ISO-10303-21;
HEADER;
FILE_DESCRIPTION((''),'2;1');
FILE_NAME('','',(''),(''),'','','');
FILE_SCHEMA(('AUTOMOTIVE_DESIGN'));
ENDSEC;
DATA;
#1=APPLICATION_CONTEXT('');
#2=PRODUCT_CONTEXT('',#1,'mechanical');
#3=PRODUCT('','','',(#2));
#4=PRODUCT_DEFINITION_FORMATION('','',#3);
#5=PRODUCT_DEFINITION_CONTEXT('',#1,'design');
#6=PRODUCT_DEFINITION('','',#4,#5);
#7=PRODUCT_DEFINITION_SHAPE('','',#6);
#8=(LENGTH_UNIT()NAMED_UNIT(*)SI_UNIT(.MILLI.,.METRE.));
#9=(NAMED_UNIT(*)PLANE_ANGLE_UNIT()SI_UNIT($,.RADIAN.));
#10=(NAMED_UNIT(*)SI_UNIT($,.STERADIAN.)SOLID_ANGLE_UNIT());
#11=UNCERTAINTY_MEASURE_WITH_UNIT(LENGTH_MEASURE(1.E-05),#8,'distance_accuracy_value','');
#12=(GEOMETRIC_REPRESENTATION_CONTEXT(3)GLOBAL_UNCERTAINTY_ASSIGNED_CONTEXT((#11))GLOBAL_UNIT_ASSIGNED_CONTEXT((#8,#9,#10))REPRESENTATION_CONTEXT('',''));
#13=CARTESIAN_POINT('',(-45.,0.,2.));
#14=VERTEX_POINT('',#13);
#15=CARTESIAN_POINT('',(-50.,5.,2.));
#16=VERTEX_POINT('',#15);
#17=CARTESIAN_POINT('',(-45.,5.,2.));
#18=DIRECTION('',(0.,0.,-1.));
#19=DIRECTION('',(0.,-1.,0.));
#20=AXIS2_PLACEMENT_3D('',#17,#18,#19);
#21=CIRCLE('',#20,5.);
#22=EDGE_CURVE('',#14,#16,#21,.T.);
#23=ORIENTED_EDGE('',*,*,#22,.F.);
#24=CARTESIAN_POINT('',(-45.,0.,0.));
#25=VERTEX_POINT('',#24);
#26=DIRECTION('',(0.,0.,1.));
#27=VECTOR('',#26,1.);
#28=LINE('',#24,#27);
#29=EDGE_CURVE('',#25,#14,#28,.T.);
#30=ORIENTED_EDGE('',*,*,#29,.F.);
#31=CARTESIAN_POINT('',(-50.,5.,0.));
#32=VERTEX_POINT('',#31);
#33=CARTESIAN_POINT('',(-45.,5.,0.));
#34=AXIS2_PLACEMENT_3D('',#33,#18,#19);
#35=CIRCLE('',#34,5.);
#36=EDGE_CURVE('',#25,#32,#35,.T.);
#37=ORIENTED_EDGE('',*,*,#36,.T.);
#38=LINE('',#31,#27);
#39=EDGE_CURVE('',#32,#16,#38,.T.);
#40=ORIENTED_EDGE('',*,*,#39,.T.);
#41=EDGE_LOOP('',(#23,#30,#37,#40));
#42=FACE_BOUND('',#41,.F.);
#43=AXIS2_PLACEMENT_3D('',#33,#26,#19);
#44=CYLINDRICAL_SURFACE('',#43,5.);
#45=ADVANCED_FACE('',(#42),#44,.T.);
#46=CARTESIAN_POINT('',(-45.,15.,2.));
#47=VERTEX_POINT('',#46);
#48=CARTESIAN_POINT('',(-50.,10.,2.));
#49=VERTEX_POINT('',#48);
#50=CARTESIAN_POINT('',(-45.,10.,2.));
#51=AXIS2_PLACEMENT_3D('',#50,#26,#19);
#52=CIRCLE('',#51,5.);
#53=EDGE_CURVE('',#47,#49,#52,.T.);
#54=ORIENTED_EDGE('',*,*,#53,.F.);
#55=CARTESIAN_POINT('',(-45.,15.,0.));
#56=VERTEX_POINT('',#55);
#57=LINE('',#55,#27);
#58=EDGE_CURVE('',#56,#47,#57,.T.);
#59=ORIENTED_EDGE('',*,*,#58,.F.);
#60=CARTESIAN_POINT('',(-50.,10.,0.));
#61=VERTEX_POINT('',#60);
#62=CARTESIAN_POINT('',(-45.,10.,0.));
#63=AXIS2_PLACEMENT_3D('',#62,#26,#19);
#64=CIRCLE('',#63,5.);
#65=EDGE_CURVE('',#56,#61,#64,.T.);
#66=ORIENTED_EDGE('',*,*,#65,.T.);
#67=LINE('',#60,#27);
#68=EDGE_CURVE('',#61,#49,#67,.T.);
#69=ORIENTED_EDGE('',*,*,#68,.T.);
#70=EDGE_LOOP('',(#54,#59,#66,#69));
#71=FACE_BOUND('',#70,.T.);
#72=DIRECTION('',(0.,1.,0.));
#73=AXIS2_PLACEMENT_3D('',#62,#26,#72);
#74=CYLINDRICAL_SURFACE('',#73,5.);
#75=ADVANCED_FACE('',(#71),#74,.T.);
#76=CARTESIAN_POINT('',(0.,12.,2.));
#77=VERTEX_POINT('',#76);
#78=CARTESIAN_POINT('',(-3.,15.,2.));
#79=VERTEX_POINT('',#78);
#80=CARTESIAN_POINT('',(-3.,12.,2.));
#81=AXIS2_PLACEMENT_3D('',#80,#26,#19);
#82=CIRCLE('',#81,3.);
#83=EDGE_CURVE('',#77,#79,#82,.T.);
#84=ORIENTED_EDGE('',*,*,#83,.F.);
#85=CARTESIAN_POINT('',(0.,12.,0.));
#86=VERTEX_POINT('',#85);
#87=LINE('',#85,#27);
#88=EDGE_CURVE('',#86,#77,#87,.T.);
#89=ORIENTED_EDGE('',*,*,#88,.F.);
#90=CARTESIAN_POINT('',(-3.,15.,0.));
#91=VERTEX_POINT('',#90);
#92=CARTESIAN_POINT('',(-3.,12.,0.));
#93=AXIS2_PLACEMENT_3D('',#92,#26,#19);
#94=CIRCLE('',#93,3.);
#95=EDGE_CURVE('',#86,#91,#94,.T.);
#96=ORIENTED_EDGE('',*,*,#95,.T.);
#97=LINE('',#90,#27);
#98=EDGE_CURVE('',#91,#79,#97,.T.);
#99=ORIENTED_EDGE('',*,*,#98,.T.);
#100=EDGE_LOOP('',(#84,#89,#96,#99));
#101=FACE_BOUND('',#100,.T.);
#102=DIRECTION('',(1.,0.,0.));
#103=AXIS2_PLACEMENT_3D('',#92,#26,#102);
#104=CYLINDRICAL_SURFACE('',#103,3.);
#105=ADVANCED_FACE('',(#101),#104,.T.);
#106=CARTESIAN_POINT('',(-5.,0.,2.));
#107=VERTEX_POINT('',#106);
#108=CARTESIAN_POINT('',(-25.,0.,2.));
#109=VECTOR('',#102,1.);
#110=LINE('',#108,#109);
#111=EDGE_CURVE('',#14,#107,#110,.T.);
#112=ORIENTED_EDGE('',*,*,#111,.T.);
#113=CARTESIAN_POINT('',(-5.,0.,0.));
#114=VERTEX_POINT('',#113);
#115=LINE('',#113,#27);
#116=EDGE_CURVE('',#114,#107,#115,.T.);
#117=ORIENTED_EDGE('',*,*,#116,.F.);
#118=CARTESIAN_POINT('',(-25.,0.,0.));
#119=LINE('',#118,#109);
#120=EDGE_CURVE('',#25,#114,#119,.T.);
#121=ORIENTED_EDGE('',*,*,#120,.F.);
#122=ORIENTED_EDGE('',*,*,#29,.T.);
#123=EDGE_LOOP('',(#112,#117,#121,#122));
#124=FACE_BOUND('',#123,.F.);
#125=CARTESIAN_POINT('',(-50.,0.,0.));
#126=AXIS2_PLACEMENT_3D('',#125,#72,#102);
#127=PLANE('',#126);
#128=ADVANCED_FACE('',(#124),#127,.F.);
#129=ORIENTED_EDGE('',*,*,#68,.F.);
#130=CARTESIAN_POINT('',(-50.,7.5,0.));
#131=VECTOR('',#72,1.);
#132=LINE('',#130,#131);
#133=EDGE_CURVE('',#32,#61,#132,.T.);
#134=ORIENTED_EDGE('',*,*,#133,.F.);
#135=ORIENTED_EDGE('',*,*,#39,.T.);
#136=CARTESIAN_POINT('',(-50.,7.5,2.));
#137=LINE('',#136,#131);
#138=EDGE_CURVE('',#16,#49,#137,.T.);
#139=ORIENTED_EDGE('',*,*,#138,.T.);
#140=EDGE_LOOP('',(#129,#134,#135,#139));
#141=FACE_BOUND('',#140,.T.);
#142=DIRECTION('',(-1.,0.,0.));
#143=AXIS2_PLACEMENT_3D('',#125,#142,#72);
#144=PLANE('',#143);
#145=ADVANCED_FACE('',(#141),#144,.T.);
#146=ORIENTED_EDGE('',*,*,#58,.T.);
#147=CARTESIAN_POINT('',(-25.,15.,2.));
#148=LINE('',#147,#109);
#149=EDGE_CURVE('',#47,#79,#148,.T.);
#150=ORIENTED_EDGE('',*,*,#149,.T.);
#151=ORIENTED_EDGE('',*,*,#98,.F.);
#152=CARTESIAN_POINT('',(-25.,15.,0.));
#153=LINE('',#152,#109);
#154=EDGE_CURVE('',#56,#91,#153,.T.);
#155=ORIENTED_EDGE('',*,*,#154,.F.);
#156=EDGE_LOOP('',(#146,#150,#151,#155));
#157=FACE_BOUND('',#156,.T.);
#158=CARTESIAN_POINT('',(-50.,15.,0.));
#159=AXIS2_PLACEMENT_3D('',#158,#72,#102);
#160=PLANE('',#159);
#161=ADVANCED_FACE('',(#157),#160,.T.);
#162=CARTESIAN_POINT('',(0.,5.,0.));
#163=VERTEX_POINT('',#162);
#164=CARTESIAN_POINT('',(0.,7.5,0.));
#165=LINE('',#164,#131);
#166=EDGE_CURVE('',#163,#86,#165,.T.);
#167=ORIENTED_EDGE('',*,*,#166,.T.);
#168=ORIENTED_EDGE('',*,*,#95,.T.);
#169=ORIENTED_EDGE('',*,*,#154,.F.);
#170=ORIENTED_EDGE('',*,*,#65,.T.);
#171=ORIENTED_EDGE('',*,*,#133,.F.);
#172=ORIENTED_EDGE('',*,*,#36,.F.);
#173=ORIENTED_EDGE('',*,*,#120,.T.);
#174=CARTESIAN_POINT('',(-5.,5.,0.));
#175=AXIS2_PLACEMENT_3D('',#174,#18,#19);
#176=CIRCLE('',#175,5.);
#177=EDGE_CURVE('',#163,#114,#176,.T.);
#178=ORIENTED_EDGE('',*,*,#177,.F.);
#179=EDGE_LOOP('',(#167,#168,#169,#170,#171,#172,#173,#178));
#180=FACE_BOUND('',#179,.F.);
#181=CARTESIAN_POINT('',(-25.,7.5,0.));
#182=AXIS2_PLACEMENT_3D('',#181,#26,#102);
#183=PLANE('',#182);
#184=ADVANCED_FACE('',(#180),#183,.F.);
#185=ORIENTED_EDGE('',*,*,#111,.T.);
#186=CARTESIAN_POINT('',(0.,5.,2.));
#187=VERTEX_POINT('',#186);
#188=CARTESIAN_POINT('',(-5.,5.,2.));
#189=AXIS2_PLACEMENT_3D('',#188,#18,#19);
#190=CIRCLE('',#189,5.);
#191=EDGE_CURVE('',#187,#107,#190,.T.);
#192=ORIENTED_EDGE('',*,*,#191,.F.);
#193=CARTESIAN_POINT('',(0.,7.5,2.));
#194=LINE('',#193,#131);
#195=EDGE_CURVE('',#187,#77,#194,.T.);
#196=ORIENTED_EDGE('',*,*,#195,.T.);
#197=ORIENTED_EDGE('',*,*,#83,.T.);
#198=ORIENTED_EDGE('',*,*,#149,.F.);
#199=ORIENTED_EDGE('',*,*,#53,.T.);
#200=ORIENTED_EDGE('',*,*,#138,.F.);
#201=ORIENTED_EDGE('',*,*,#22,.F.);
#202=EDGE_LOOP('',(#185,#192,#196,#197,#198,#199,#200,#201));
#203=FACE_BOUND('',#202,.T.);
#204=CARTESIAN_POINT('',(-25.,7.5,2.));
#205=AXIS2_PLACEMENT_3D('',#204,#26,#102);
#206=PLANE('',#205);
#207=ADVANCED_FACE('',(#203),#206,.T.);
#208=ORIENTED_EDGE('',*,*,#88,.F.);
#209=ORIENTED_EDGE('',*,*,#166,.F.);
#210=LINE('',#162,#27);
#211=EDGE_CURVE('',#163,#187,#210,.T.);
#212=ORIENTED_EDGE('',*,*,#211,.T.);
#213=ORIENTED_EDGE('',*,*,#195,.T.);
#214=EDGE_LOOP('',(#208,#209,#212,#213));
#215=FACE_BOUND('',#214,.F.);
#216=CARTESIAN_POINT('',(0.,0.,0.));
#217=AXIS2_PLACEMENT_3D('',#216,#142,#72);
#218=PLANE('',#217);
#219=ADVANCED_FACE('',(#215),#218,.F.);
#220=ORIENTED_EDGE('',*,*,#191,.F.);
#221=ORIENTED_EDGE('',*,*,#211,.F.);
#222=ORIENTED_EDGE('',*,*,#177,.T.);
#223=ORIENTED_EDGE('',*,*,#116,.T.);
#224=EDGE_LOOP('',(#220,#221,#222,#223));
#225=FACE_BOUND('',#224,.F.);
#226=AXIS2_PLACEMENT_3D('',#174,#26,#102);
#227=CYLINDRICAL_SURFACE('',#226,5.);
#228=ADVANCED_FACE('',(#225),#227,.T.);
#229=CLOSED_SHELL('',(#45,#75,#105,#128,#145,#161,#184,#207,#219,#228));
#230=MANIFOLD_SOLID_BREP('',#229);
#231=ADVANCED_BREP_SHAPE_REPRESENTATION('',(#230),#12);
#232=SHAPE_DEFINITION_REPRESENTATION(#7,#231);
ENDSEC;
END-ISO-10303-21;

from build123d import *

# Parameters (mm, degrees)
F0_W     = 50
F0_H     = 15
F1_DEPTH = 2
F2_R     = 3
F3_R     = 5
F4_R     = 5


with BuildPart() as f1:
    # F0 (on Top) → F1 (new body)
    with BuildSketch(Plane.XY):
        with Locations((-25, 7.5)):
            Rectangle(F0_W, F0_H)
    extrude(amount=F1_DEPTH)

    # F2
    f2_edges = [f1.edges().sort_by_distance(p)[0] for p in [
        (0, 15, 1),
    ]]
    fillet(f2_edges, radius=F2_R)

    # F3
    f3_edges = [f1.edges().sort_by_distance(p)[0] for p in [
        (0, 0, 1),
    ]]
    fillet(f3_edges, radius=F3_R)

    # F4
    f4_edges = [f1.edges().sort_by_distance(p)[0] for p in [
        (-50, 15, 1),
        (-50, 0, 1),
    ]]
    fillet(f4_edges, radius=F4_R)


solid = f1.part
